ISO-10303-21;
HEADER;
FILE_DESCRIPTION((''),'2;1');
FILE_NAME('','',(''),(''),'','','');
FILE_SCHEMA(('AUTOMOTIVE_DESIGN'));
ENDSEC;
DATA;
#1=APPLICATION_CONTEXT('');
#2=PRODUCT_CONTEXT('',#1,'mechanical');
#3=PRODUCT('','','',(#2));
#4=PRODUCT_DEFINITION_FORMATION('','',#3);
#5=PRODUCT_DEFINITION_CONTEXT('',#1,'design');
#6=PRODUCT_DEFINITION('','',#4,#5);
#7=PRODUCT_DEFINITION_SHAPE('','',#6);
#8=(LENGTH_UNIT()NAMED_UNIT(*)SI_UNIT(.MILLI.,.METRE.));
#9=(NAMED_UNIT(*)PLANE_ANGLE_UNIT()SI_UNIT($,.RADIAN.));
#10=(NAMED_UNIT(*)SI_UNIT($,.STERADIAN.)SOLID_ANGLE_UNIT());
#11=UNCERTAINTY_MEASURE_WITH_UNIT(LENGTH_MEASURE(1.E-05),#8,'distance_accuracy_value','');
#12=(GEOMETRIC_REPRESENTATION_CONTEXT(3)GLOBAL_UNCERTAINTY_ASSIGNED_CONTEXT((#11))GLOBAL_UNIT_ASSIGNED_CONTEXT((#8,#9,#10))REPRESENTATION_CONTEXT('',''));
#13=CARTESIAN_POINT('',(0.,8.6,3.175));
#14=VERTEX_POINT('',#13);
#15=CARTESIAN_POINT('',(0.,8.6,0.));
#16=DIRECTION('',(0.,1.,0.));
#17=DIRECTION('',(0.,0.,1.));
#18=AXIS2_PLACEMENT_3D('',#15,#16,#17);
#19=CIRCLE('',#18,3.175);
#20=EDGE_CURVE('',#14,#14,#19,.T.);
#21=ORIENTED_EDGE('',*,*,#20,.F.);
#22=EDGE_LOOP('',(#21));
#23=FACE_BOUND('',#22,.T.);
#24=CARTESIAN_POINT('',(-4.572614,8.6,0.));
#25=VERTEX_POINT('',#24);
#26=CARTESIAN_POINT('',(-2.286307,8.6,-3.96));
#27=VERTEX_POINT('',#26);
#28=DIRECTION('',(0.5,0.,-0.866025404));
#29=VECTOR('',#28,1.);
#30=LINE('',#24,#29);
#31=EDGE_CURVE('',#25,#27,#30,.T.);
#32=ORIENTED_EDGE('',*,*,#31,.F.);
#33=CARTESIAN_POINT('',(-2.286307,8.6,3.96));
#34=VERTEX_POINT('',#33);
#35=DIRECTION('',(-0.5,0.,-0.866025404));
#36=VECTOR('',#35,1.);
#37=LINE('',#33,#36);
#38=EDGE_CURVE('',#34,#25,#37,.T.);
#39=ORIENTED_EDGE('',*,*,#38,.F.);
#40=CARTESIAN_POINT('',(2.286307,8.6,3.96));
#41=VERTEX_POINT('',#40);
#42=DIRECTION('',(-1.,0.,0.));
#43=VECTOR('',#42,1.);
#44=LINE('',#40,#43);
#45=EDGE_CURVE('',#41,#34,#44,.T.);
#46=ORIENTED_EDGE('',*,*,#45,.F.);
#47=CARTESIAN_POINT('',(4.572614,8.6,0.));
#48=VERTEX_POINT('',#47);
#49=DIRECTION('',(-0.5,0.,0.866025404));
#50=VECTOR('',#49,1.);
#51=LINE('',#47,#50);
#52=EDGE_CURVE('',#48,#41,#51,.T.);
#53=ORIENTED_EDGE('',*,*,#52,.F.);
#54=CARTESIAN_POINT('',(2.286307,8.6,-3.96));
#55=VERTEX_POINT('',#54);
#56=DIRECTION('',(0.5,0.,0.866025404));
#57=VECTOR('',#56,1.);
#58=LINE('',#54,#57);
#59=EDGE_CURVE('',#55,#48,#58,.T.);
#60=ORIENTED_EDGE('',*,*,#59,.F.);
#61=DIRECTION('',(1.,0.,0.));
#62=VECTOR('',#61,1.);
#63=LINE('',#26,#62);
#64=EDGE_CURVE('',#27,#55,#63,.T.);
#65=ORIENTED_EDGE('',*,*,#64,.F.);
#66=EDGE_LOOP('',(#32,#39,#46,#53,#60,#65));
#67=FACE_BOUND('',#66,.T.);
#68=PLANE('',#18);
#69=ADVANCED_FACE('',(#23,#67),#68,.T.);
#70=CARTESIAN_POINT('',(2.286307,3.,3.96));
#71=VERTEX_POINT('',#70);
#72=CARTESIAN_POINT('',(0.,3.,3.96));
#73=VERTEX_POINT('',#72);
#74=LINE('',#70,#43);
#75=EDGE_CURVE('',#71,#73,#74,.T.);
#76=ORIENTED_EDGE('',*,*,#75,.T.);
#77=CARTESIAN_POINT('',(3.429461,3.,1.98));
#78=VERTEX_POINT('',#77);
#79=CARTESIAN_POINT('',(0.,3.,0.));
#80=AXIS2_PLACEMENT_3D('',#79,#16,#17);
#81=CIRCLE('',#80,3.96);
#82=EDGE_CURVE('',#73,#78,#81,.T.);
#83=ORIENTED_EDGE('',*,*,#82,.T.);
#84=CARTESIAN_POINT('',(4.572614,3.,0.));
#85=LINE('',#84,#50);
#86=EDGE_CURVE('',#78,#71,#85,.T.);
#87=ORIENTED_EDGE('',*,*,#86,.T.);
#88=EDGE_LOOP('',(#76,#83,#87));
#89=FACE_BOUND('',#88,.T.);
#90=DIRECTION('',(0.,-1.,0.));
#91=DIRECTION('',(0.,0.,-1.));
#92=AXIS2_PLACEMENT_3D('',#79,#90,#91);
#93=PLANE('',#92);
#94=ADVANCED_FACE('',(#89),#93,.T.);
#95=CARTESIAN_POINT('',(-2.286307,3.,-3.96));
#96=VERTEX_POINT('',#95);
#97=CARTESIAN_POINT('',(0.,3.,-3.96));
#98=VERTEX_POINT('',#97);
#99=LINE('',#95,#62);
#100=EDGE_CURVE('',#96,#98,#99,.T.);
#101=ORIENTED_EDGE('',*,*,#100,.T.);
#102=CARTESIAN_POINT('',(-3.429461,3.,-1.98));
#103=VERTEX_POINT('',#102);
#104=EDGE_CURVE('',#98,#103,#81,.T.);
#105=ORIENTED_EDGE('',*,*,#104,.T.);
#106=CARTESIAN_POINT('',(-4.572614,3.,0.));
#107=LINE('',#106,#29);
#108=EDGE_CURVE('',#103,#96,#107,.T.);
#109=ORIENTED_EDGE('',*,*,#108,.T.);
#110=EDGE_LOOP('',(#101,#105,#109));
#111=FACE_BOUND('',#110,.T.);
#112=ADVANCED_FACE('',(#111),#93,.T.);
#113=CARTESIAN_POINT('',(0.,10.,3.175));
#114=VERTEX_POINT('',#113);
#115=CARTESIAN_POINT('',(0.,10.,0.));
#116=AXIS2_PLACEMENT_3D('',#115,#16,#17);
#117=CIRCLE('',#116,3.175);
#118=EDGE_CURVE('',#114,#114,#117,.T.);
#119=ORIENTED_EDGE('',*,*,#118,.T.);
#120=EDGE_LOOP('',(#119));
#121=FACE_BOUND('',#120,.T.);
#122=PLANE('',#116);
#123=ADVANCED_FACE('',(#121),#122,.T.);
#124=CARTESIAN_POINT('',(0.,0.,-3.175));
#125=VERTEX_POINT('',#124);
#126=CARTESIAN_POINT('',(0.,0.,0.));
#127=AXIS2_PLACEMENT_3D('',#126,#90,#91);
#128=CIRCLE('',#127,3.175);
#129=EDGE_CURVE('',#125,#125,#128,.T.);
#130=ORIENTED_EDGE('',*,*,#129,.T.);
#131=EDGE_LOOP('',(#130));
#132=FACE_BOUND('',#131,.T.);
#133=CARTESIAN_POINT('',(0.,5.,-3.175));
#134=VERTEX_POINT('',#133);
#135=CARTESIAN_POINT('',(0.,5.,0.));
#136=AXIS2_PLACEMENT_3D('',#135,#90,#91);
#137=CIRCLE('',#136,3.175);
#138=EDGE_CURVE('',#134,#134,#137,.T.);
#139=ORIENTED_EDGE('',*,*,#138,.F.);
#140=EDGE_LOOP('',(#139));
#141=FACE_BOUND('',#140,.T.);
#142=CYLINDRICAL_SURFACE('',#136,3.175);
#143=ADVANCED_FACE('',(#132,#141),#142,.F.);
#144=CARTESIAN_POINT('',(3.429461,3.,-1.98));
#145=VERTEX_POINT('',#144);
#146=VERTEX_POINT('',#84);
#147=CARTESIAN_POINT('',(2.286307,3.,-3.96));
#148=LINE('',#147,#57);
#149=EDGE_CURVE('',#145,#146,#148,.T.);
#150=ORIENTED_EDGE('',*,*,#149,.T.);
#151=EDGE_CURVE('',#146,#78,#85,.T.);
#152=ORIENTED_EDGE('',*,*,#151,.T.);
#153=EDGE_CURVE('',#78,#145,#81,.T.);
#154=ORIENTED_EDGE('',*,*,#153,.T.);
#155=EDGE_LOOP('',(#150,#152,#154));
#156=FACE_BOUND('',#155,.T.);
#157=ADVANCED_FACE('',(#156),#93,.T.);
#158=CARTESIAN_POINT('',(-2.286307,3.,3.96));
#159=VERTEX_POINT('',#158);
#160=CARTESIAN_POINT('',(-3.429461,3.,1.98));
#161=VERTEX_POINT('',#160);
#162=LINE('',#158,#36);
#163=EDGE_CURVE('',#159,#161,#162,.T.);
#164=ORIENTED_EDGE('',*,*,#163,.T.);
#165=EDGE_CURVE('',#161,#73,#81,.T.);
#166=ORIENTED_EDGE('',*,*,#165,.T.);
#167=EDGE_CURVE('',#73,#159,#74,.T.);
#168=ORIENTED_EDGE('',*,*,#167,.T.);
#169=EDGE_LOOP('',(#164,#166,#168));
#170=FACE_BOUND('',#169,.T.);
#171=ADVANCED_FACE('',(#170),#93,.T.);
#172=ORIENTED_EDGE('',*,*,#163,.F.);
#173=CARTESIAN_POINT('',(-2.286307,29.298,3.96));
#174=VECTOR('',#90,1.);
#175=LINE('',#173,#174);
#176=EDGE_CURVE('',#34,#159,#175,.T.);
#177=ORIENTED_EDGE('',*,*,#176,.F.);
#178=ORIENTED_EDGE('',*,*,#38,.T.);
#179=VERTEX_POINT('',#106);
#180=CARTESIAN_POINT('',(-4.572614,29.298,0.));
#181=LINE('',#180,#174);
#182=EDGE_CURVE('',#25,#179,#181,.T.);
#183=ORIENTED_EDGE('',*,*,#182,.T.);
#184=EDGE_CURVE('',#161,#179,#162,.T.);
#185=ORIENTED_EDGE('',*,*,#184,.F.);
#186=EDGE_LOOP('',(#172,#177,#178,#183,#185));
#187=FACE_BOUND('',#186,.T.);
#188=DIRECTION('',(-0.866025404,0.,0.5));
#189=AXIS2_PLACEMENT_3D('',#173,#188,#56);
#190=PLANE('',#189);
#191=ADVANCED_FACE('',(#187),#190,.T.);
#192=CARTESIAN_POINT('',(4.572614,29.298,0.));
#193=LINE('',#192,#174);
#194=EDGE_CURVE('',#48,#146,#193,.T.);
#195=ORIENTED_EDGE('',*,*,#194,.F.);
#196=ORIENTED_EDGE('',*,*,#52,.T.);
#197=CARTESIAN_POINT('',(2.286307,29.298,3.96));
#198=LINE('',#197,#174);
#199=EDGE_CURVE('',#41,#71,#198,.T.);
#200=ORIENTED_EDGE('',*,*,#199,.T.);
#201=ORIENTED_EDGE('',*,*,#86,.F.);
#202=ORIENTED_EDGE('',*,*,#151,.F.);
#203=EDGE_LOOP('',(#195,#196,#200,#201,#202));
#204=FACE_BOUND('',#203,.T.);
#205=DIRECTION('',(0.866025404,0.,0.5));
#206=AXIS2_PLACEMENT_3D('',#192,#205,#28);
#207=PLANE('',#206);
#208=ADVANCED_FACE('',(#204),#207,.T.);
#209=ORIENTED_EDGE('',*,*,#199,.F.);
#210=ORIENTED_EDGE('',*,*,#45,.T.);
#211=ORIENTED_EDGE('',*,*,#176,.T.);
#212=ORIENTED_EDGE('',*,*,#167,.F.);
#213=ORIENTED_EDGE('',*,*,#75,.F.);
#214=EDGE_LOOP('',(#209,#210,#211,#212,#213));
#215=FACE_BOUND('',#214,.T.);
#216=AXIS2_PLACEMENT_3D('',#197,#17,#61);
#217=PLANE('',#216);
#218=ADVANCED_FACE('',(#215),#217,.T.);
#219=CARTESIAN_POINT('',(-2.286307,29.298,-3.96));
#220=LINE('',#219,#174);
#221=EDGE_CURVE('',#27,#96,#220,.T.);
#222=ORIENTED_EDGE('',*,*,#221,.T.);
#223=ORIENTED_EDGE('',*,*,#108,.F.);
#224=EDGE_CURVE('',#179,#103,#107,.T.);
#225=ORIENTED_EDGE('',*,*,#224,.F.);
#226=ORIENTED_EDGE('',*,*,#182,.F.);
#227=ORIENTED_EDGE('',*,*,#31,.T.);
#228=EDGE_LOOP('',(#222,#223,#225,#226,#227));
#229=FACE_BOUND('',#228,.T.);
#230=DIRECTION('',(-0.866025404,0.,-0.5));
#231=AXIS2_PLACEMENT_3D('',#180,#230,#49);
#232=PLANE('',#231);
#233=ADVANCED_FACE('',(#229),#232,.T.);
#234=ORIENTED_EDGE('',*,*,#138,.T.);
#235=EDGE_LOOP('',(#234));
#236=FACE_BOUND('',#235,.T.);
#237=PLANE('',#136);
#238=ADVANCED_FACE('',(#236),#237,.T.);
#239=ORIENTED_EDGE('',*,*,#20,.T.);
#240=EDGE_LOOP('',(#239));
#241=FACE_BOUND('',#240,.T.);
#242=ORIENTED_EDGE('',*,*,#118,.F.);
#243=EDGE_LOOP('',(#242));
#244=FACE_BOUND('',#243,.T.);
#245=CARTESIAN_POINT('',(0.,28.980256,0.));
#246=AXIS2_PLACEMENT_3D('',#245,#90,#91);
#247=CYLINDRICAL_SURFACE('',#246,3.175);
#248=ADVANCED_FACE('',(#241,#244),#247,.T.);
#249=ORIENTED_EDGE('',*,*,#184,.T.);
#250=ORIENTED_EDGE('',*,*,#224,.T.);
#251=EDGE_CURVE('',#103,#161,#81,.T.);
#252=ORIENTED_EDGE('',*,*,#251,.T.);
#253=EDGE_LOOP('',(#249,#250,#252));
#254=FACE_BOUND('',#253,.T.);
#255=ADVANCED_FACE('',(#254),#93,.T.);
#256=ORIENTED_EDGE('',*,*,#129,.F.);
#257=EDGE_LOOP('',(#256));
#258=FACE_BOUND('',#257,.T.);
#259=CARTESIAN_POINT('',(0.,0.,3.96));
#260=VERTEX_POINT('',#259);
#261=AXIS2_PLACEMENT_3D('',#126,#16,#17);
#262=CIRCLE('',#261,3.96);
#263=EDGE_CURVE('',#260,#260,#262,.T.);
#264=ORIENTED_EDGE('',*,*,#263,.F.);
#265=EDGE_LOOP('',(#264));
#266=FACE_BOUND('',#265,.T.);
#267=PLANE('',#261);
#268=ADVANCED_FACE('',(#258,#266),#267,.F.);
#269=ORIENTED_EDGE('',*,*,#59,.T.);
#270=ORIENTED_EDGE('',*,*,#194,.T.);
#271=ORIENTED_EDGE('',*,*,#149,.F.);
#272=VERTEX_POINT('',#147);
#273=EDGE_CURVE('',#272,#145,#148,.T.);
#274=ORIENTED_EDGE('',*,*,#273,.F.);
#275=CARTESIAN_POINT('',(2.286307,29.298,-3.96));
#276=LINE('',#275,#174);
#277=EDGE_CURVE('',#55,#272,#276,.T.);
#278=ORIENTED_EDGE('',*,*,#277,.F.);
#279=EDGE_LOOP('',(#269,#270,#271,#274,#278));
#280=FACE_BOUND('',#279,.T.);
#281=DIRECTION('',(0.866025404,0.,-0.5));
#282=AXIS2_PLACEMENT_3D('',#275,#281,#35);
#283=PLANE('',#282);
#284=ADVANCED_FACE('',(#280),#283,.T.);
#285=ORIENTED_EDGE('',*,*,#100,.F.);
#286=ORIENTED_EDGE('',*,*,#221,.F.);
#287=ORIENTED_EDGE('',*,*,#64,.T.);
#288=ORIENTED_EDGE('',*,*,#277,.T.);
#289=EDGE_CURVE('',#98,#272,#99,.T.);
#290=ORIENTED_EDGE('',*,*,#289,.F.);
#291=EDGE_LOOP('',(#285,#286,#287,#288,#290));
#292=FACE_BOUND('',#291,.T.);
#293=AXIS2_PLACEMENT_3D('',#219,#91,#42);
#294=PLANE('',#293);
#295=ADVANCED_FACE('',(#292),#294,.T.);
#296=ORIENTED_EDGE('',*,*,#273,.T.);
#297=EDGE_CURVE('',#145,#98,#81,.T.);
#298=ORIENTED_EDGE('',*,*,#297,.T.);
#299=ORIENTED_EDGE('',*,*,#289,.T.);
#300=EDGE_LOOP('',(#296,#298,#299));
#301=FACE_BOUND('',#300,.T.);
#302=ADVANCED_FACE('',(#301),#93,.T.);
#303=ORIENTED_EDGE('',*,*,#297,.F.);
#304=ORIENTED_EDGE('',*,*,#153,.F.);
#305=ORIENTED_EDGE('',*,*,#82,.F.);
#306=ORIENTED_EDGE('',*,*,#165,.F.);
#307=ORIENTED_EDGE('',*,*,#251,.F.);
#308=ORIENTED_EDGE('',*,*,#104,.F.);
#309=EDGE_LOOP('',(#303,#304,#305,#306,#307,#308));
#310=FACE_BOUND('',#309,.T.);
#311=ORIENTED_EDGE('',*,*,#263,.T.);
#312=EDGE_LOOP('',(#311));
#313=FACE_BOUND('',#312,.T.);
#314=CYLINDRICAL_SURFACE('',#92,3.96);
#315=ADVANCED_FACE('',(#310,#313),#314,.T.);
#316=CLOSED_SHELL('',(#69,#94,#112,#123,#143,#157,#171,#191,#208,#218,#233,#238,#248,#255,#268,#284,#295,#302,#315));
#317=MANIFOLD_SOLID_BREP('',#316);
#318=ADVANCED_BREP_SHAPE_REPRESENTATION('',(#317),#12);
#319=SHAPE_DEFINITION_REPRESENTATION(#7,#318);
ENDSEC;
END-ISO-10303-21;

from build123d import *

# Parameters (mm, degrees)
SKETCH5_R           = 3.96
BOSS_EXTRUDE5_DEPTH = 3
BOSS_EXTRUDE7_DEPTH = 5.6
SKETCH7_R           = 3.175
CUT_EXTRUDE1_DEPTH  = 5
SKETCH8_R           = 3.175
BOSS_EXTRUDE9_DEPTH = 1.4


with BuildPart() as part:
    # Sketch5 → Boss-Extrude5 (new body)
    with BuildSketch(Plane(origin=(0, 0, 0), x_dir=(-1, 0, 0), z_dir=(0, 1, 0))):
        with Locations(Location((0, 0, 0), (0, 0, 90))):
            Circle(SKETCH5_R)
    extrude(amount=BOSS_EXTRUDE5_DEPTH)

    # Sketch6 → Boss-Extrude7 (add)
    with BuildSketch(Plane.XZ.offset(-3)):
        Polygon((-4.572614132, 0), (-2.286307066, -3.96), (2.286307066, -3.96), (4.572614132, 0), (2.286307066, 3.96), (-2.286307066, 3.96), align=None)
    extrude(amount=-BOSS_EXTRUDE7_DEPTH)

    # Sketch7 → Cut-Extrude1 (cut)
    with BuildSketch(Plane.XZ):
        with Locations(Location((0, 0, 0), (0, 0, 270))):
            Circle(SKETCH7_R)
    extrude(amount=-CUT_EXTRUDE1_DEPTH, mode=Mode.SUBTRACT)

    # Sketch8 → Boss-Extrude9 (add)
    with BuildSketch(Plane(origin=(0, 8.6, 0), x_dir=(1, 0, 0), z_dir=(0, 1, 0))):
        with Locations(Location((0, 0, 0), (0, 0, 90))):
            Circle(SKETCH8_R)
    extrude(amount=BOSS_EXTRUDE9_DEPTH)


solid = part.part
